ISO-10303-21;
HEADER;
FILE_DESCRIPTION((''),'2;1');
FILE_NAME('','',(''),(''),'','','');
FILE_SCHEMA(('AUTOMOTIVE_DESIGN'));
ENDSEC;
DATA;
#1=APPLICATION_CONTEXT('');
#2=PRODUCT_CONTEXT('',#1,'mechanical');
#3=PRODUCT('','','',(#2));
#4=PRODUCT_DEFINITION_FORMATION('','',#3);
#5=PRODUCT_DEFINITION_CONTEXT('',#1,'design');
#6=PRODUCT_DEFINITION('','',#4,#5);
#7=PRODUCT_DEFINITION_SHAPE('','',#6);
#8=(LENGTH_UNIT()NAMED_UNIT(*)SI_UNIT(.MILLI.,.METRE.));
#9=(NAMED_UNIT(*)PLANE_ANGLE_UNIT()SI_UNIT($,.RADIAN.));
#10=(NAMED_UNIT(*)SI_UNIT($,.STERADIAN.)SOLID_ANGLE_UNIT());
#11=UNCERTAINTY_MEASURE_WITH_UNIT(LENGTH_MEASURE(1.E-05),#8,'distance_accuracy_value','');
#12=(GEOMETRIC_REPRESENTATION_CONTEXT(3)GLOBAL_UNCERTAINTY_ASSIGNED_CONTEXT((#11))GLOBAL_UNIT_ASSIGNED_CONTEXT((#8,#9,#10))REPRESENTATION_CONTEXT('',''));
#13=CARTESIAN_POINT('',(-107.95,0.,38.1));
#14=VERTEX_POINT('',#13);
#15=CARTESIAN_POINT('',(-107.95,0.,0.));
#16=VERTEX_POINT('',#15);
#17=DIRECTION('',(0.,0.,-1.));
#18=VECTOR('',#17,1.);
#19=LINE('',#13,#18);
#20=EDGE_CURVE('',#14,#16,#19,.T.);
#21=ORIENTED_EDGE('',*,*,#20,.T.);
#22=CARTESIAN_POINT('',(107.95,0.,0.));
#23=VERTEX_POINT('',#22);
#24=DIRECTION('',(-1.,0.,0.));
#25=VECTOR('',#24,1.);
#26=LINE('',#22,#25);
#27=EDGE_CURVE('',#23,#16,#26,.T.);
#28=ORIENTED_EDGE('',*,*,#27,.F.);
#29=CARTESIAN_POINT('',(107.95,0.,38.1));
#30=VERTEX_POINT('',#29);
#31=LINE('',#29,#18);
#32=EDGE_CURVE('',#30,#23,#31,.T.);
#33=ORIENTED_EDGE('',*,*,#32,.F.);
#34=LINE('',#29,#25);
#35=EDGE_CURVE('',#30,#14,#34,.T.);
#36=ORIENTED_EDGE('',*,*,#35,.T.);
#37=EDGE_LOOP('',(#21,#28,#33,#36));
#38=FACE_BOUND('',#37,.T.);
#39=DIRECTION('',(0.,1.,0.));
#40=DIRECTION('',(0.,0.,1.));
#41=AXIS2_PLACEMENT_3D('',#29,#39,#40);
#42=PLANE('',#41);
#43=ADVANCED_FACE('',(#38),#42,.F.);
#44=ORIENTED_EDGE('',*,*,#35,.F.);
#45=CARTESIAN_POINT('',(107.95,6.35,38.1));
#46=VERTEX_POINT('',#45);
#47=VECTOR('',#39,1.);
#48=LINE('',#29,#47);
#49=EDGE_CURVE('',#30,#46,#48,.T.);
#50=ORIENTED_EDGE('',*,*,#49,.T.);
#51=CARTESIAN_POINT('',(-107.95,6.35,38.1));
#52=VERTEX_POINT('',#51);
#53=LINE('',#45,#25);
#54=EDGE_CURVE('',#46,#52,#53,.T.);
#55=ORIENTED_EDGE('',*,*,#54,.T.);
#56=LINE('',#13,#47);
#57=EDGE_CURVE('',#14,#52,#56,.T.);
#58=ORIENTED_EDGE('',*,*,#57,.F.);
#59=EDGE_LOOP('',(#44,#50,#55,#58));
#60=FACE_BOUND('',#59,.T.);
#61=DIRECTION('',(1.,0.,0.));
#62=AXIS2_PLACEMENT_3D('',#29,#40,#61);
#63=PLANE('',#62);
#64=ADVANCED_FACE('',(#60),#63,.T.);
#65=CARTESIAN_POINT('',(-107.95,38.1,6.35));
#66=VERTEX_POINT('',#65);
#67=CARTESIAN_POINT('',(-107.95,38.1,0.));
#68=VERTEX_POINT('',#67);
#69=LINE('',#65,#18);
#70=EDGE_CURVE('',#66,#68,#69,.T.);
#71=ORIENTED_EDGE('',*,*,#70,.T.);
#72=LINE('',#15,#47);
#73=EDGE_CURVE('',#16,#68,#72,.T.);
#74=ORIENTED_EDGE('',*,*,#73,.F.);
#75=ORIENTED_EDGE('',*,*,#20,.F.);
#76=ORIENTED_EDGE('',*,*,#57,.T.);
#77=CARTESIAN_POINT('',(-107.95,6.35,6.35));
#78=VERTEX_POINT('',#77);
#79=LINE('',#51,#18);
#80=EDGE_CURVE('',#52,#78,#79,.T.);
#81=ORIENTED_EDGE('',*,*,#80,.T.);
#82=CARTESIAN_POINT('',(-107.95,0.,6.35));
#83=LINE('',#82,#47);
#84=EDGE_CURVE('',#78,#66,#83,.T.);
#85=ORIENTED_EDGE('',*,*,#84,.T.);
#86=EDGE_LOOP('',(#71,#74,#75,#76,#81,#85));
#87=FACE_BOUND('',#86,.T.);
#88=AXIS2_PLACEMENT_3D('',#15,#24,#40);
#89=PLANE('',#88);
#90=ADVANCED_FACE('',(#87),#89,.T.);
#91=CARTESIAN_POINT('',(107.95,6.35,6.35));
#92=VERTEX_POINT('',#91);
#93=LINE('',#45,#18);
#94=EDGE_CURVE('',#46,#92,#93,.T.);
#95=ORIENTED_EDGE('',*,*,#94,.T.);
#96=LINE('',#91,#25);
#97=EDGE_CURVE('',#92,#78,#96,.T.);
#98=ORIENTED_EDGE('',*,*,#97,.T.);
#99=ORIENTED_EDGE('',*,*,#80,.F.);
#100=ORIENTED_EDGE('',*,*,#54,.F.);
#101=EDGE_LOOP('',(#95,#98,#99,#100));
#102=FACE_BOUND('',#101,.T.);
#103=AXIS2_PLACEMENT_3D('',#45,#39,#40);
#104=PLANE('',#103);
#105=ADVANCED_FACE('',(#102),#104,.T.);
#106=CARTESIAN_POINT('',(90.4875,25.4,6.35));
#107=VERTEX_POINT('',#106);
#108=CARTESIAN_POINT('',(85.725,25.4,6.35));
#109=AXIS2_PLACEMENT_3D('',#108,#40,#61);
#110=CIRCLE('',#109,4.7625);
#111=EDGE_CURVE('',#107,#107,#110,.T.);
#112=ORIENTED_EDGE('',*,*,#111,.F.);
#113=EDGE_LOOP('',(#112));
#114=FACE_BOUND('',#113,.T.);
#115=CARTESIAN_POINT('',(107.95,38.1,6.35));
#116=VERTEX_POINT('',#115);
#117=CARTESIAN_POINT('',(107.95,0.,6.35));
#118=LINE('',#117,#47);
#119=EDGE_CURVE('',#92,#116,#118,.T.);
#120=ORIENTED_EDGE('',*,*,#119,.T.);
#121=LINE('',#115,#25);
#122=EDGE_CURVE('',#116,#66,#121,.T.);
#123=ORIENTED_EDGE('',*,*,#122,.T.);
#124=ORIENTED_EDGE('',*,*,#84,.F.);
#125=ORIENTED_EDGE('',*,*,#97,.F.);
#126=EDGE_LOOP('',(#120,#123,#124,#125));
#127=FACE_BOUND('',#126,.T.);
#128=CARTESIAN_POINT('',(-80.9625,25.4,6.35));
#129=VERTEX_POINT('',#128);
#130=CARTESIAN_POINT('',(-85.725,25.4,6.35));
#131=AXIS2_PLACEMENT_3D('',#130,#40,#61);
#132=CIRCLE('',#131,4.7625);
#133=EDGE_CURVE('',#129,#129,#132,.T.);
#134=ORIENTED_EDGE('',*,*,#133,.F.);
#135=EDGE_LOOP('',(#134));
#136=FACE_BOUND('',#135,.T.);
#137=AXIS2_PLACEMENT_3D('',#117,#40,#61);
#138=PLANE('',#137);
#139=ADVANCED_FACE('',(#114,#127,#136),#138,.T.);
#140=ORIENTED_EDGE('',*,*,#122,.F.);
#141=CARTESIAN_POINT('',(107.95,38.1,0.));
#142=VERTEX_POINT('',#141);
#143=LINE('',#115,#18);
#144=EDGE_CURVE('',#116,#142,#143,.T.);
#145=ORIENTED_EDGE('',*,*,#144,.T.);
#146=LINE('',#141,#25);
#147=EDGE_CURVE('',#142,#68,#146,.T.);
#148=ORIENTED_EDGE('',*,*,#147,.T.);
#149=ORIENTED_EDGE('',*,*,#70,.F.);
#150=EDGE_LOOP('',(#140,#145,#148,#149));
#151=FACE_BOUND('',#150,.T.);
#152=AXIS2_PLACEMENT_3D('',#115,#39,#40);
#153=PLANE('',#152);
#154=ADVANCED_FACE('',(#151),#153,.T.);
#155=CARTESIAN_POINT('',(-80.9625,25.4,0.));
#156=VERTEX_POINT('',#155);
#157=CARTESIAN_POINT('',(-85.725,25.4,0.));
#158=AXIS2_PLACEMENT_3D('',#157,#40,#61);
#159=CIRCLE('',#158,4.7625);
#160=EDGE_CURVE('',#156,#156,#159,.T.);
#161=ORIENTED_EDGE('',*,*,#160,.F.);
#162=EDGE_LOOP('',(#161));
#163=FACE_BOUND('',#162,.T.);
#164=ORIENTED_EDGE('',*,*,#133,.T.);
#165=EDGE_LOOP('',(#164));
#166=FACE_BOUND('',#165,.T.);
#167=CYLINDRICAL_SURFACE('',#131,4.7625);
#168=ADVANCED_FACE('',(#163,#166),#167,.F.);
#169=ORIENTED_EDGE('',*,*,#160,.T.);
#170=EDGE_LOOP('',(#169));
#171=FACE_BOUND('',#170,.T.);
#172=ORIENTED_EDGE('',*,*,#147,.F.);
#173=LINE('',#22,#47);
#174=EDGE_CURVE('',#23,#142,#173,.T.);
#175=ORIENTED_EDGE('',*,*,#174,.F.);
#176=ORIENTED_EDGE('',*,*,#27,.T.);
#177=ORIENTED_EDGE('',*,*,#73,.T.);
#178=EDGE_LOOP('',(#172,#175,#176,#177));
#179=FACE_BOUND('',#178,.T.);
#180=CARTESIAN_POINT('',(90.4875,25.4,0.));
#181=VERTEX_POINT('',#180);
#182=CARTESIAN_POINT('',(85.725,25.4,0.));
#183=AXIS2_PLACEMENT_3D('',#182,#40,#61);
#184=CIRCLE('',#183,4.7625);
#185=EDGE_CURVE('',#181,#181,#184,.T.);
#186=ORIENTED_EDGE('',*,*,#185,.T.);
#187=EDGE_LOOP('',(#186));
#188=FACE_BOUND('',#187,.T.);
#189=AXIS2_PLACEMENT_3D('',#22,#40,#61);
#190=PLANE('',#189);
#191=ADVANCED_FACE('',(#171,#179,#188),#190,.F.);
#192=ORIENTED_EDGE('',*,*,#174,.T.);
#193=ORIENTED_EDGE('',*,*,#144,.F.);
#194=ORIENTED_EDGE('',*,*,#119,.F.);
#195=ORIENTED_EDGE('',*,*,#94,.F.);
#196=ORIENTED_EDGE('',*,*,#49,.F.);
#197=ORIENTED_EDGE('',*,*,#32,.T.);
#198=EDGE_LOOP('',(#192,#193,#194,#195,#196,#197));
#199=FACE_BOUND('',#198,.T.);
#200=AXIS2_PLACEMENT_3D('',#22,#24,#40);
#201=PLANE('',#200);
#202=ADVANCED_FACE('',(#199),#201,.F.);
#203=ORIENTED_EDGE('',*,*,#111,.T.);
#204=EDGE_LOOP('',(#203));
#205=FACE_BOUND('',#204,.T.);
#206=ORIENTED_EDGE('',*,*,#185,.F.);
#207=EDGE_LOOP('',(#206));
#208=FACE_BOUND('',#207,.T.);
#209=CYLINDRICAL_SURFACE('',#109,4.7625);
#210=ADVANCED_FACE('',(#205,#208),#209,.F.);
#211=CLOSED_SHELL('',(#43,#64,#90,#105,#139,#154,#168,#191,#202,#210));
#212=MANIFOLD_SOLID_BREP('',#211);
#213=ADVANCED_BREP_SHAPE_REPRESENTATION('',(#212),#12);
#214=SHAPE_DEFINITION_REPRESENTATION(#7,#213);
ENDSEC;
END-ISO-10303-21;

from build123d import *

# Parameters (mm, degrees)
EXTRUDE_THIN1_DEPTH          = 107.95
F_3_8_0_375_DIAMETER_HOLE1_D = 9.525


with BuildPart() as part:
    # Sketch1 → Extrude-Thin1 (new, symmetric)
    with BuildSketch(Plane(origin=(0, 0, 0), x_dir=(0, 0, -1), z_dir=(1, 0, 0))):
        Polygon((-38.1, 0), (0, 0), (0, 38.1), (-6.35, 38.1), (-6.35, 6.35), (-38.1, 6.35), align=None)
    extrude(amount=EXTRUDE_THIN1_DEPTH, both=True)

    # 3/8 (0.375) Diameter Hole1 (through all)
    with Locations(Plane.XY.offset(6.35)):
        with Locations((-85.725, 25.4), (85.725, 25.4)):
            Hole(F_3_8_0_375_DIAMETER_HOLE1_D / 2)


solid = part.part
